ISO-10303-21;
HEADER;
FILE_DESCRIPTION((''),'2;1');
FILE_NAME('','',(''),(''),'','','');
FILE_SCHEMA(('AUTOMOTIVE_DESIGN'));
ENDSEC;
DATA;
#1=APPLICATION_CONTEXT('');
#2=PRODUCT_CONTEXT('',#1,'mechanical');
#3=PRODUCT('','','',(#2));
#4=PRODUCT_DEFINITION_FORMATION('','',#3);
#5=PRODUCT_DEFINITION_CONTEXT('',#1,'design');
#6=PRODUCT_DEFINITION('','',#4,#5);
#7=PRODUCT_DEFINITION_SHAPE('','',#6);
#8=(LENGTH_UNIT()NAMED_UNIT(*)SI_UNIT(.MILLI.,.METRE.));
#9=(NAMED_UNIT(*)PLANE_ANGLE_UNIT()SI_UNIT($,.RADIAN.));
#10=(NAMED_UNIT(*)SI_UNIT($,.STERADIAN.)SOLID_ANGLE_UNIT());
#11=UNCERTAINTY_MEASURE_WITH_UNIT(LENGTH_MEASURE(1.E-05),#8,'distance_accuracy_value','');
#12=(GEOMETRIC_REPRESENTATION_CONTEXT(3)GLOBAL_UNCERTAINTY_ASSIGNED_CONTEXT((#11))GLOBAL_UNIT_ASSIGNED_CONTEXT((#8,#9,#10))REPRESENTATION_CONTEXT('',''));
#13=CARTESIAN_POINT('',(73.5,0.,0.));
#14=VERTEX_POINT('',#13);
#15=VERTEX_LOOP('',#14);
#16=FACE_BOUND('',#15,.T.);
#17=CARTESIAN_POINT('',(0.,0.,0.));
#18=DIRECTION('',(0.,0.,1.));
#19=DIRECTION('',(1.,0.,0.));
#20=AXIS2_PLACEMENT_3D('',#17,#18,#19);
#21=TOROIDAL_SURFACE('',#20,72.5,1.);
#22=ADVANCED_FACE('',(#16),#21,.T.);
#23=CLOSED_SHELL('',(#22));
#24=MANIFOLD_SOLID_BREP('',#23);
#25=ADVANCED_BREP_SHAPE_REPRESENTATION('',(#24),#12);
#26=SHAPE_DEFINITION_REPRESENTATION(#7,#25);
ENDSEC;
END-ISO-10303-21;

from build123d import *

# Parameters (mm, degrees)
SKETCH3_R = 1


with BuildPart() as part:
    # Sketch3 → Revolve1 (revolve)
    with BuildSketch(Plane(origin=(0, 0, 0), x_dir=(0, 0, -1), z_dir=(1, 0, 0))):
        with Locations((0, 72.5)):
            Circle(SKETCH3_R)
    revolve(axis=Axis((0, 0, 0), (0, 0, -1)))


solid = part.part
